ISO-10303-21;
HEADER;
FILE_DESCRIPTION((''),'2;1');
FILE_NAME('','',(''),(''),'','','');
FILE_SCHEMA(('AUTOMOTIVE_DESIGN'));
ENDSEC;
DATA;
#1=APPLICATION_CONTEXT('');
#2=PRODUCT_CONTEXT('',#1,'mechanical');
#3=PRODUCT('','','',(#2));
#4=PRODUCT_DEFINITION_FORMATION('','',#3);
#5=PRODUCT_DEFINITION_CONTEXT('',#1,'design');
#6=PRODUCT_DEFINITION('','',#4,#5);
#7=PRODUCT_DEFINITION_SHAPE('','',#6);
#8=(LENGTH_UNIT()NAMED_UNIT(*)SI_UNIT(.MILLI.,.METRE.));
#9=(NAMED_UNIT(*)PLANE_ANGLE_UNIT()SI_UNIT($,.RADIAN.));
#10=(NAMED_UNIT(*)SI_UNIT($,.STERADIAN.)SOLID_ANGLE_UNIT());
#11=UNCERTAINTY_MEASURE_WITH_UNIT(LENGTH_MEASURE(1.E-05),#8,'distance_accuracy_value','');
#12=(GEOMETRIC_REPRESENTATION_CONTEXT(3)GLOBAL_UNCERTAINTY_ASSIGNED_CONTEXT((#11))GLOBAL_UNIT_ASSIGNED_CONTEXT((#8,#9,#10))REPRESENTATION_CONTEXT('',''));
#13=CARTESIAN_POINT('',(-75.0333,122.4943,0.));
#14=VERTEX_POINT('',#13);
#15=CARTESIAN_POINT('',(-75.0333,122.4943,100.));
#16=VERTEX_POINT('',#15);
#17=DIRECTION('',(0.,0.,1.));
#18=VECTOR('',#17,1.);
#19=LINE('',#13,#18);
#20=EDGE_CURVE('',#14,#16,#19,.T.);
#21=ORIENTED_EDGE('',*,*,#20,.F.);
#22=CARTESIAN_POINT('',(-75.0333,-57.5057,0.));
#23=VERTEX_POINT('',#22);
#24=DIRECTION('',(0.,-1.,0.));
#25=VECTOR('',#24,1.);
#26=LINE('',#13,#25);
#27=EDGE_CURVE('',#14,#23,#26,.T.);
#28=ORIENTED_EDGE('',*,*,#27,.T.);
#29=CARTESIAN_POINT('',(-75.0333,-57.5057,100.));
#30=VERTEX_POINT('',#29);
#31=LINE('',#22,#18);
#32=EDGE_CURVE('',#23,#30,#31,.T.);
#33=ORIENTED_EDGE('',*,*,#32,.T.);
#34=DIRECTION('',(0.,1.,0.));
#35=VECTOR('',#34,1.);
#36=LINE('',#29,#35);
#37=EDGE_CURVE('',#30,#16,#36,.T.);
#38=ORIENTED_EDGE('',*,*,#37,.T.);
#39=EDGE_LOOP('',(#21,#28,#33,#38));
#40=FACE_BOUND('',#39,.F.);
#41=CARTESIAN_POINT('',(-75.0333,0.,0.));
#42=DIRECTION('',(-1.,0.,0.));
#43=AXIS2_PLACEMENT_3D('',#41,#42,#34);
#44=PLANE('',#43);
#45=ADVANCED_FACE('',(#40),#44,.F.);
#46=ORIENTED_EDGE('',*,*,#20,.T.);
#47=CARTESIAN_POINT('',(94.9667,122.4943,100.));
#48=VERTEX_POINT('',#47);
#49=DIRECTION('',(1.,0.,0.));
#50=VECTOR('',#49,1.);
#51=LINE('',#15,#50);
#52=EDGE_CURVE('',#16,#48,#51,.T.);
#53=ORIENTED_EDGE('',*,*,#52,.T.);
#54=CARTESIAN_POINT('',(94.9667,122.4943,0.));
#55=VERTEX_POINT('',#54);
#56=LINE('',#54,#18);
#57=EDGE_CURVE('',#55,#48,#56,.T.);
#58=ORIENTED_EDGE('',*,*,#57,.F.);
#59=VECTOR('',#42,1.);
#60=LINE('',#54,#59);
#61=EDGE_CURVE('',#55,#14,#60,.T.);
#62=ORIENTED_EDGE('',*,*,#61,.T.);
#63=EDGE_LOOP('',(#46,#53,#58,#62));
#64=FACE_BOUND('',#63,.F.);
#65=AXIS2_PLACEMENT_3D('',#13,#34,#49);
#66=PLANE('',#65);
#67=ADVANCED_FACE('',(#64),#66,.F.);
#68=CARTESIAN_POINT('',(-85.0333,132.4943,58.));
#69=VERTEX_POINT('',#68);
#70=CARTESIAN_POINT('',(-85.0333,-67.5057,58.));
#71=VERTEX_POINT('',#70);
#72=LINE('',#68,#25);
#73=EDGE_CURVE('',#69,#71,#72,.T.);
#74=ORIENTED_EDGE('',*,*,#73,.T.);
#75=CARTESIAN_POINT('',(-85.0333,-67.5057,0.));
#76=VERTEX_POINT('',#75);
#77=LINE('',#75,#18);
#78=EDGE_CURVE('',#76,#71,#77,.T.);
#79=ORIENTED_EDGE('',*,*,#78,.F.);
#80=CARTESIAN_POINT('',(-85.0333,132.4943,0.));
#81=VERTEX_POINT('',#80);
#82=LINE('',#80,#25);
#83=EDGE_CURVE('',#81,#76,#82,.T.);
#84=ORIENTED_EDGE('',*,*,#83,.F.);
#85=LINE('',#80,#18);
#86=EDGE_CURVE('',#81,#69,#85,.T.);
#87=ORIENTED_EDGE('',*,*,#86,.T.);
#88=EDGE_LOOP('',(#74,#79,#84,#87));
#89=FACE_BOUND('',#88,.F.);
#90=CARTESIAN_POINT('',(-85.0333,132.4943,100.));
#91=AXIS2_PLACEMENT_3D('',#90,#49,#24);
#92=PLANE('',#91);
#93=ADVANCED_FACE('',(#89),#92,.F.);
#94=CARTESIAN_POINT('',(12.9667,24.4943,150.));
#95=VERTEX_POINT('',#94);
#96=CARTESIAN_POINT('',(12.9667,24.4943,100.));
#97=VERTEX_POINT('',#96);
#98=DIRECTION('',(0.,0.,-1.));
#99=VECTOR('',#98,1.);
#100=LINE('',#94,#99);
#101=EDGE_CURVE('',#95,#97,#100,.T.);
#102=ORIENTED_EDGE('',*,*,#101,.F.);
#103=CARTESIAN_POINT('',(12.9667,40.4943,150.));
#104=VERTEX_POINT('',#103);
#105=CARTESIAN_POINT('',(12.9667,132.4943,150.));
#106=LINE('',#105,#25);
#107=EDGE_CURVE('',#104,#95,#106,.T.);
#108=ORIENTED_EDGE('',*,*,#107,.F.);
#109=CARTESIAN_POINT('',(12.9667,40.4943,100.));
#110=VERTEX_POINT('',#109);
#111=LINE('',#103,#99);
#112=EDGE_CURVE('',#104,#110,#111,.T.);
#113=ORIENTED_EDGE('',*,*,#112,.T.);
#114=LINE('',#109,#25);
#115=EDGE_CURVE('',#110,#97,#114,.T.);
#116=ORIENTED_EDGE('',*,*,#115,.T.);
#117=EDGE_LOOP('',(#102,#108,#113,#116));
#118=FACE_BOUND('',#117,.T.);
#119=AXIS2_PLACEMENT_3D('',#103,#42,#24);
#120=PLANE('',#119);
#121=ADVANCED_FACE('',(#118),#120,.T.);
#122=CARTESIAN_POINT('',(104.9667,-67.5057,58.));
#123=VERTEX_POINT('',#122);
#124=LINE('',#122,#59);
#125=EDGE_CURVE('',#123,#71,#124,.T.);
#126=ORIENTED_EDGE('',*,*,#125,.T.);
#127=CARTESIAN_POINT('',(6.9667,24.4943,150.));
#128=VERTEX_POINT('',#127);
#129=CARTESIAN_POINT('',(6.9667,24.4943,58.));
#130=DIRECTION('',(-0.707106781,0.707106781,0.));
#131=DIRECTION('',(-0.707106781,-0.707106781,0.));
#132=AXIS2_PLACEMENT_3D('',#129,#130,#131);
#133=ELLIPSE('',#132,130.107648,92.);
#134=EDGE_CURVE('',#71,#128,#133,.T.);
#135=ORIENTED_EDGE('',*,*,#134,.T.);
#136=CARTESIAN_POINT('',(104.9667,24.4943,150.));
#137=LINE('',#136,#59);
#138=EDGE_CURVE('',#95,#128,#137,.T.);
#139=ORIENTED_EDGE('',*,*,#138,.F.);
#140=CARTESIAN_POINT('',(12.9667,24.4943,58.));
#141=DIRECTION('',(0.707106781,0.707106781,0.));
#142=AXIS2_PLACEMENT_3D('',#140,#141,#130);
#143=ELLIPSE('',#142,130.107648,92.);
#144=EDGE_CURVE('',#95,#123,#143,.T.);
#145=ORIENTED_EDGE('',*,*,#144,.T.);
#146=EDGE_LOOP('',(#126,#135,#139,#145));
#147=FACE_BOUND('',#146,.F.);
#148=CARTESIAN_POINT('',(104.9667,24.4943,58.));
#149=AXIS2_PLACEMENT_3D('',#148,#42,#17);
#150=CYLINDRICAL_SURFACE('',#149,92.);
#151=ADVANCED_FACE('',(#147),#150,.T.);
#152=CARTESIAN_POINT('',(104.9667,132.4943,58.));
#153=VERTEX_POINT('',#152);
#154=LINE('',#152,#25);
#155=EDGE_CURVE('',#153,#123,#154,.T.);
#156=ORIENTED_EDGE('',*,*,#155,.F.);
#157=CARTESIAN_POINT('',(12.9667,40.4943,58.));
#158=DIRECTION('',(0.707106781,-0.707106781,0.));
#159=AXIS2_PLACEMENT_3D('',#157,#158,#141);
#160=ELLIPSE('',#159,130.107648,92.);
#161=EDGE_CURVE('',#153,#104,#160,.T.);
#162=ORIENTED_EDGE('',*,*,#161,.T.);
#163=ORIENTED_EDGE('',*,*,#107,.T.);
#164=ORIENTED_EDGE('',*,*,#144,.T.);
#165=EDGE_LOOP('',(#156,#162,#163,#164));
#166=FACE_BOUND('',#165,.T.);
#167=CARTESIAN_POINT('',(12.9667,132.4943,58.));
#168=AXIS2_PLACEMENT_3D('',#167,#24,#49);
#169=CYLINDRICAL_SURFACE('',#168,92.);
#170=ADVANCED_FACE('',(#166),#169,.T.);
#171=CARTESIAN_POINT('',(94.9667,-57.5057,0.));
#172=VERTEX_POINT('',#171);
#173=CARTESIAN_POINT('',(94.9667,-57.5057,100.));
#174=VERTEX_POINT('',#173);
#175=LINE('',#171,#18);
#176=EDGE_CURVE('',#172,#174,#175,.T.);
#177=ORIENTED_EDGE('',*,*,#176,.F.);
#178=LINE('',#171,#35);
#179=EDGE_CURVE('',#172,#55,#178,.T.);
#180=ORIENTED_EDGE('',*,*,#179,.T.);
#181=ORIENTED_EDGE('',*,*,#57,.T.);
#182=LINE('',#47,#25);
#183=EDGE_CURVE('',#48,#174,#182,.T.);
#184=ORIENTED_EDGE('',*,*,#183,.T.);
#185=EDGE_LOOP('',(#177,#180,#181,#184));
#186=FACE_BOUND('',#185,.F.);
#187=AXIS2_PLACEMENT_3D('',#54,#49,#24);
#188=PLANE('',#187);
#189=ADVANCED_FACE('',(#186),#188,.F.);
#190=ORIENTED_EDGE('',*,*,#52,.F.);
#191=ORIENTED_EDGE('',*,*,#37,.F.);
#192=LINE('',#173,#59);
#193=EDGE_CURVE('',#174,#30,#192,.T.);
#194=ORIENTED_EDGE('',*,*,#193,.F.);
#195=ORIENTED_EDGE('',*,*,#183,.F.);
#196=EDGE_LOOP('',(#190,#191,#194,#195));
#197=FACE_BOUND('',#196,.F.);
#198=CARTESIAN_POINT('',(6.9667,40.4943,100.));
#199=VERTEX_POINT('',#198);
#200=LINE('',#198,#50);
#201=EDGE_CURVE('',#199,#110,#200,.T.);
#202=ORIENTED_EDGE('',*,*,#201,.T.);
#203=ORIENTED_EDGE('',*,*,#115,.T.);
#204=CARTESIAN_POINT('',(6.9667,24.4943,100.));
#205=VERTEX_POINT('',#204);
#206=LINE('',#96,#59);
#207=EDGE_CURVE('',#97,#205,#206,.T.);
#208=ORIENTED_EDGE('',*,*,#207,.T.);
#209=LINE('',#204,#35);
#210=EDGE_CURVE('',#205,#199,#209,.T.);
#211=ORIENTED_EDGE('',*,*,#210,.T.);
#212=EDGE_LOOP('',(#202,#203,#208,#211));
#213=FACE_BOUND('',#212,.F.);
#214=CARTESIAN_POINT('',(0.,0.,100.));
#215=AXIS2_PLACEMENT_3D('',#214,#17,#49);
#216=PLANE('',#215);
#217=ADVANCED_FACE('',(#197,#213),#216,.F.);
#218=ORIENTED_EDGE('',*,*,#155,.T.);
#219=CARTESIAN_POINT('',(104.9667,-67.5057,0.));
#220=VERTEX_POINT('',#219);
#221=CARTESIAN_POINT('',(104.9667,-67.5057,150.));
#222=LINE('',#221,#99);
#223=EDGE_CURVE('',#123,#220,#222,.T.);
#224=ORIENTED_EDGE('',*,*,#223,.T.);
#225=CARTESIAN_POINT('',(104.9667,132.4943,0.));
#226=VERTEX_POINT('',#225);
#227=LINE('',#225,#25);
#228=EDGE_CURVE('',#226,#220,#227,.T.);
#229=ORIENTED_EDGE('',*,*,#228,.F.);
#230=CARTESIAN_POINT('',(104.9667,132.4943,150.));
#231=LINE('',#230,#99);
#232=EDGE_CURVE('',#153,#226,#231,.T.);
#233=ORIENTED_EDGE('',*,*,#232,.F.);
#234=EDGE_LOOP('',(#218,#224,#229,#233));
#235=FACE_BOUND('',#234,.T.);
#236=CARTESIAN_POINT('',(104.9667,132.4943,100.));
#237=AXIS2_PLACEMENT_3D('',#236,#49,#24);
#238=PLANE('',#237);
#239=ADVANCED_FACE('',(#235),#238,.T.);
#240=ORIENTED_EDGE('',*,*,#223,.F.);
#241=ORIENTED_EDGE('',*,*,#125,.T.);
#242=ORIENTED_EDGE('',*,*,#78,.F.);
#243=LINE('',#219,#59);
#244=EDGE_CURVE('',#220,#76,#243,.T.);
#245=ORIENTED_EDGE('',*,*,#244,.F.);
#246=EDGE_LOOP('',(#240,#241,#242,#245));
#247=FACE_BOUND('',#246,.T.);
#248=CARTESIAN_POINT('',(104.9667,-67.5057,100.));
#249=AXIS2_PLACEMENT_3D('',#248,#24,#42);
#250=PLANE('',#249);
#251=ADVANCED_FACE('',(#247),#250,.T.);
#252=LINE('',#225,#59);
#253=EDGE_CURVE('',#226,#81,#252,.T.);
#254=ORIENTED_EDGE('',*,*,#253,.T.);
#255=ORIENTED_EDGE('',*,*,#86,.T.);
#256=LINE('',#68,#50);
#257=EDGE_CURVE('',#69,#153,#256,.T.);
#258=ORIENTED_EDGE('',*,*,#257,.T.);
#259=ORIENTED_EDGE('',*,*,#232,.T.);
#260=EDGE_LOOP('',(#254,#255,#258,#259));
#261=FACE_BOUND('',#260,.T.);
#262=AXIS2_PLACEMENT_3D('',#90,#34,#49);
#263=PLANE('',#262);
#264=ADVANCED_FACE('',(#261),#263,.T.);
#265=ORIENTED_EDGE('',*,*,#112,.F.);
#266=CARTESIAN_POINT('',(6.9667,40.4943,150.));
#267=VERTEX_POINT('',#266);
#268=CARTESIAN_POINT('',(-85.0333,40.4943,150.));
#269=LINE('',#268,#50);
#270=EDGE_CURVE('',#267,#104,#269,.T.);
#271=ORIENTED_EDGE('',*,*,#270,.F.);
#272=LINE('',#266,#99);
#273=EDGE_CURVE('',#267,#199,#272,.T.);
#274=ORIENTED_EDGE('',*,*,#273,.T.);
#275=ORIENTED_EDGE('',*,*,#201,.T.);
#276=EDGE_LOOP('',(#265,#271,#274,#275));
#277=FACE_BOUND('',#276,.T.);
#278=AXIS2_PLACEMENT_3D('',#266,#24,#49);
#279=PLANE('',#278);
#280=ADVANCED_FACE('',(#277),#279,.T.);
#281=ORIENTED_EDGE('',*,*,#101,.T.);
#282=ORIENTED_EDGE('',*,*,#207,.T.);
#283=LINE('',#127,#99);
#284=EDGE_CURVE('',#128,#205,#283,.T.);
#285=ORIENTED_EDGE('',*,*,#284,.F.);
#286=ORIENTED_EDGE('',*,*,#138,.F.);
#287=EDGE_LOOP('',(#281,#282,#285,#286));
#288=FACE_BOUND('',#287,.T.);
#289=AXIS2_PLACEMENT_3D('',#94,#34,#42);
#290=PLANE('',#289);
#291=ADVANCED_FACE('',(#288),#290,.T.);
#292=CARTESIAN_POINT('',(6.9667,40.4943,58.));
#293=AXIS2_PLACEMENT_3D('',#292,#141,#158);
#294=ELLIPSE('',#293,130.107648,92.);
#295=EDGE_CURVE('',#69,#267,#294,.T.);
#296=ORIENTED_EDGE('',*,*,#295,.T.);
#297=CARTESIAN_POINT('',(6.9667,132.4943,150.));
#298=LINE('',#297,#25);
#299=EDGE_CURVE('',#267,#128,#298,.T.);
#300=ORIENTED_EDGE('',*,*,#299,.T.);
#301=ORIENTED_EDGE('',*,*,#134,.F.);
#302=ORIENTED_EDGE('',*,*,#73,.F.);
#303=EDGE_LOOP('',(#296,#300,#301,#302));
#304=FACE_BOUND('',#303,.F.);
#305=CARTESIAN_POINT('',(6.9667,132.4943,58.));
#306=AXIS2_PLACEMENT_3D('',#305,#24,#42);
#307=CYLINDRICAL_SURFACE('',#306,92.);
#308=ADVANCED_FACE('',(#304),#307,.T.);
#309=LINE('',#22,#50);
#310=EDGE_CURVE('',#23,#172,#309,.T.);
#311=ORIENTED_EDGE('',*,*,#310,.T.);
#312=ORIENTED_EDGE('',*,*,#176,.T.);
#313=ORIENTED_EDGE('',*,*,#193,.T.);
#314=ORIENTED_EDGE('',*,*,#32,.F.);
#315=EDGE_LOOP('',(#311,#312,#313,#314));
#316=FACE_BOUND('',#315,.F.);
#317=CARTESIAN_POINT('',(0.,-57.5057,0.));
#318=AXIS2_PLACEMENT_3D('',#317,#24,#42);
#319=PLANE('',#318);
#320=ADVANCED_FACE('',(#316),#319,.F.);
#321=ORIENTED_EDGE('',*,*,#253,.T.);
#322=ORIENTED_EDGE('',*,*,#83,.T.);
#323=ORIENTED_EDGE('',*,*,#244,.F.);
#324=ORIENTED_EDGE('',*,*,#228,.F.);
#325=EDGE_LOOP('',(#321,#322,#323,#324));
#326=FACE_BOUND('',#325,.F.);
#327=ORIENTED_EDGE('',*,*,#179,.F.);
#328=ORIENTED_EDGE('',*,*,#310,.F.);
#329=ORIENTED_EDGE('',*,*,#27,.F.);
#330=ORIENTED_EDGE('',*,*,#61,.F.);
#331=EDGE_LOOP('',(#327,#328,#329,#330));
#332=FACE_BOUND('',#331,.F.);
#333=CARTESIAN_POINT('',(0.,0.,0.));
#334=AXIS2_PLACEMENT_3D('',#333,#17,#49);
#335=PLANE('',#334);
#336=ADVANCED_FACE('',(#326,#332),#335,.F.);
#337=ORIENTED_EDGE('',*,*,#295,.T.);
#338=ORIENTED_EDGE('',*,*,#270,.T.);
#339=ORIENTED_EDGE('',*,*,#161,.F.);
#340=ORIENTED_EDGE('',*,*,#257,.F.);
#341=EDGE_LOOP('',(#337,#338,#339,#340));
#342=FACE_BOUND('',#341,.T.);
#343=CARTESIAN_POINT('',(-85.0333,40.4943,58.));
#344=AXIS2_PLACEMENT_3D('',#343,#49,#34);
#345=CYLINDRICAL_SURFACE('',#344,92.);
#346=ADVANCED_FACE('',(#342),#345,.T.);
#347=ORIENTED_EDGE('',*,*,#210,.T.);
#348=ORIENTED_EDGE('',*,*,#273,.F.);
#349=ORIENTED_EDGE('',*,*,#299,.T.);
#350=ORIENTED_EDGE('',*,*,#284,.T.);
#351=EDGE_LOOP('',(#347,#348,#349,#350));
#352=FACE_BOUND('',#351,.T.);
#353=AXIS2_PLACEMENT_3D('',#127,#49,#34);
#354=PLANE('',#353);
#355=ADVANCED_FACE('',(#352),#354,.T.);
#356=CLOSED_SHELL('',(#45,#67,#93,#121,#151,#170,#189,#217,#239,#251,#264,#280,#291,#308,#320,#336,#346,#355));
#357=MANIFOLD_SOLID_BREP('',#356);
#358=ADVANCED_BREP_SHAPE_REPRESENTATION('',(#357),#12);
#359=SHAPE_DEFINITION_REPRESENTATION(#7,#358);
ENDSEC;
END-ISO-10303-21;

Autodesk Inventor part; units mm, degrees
ref_plane "YZ Plane" through (0, 0, 0) normal (1, 0, 0) x (0, 1, 0)
ref_plane "XZ Plane" through (0, 0, 0) normal (0, 1, 0) x (-1, 0, 0)
ref_plane "XY Plane" through (0, 0, 0) normal (0, 0, 1) x (1, 0, 0)
sketch "Skizze1" plane through (0, 0, 0) normal (0, 0, 1) x (1, 0, 0)
  line L0 (-123.0333, 0) -> (142.9667, 0) projected
  line L1 (0, -107.5057) -> (0, 172.4943) projected
  line L2 (-75.0333, 122.4943) -> (94.9667, 122.4943)
  line L3 (94.9667, 122.4943) -> (94.9667, -57.5057)
  line L4 (94.9667, -57.5057) -> (-75.0333, -57.5057)
  line L5 (-75.0333, -57.5057) -> (-75.0333, 122.4943)
  line L6 (-85.0333, 132.4943) -> (104.9667, 132.4943)
  line L7 (104.9667, 132.4943) -> (104.9667, -67.5057)
  line L8 (104.9667, -67.5057) -> (-85.0333, -67.5057)
  line L9 (-85.0333, -67.5057) -> (-85.0333, 132.4943)
  point P0 (0, 0)
  dimension "d0" = 170
  dimension "d1" = 180
  dimension "d2" = 10
  dimension "d3" = 10
  dimension "d4" = 10
  dimension "d5" = 10
extrude "Extrusion1" add sketch "Skizze1" along normal blind 100 contours L9 L6 L1 L2 L5 L0 | L0 L5 L4 L1 L8 L9 | L1 L4 L3 L0 L7 L8 | L6 L7 L0 L3 L2 L1
sketch "Skizze2" plane through (0, 0, 100) normal (0, 0, 1) x (1, 0, 0)
  point P0 (0, 0)
sketch "Skizze3" plane through (0, 0, 100) normal (0, 0, 1) x (1, 0, 0)
  line L0 (-85.0333, 132.4943) -> (-85.0333, -67.5057) projected
  line L1 (-85.0333, 132.4943) -> (104.9667, 132.4943)
  line L2 (104.9667, 132.4943) -> (104.9667, -67.5057)
  line L3 (104.9667, -67.5057) -> (-85.0333, -67.5057)
  line L4 (-85.0333, -67.5057) -> (-85.0333, 132.4943)
  point P0 (0, 0)
extrude "Extrusion2" add sketch "Skizze3" along normal blind 50
fillet "Rundung1" radius 92 4 edges at (-85.0333, 32.4943, 150) (9.9667, 132.4943, 150) (9.9667, -67.5057, 150) (104.9667, 32.4943, 150)
sketch "Skizze4" plane through (0, 0, 150) normal (0, 0, 1) x (1, 0, 0)
  point P0 (0, 0)
sketch "Skizze5" plane through (0, 0, 150) normal (0, 0, 1) x (1, 0, 0)
  line L0 (6.9667, 24.4943) -> (6.9667, 40.4943) projected
  line L1 (94.8203, -57.3593) -> (12.9667, 24.4943) projected
  line L2 (6.9667, 40.4943) -> (12.9667, 40.4943)
  line L3 (12.9667, 40.4943) -> (12.9667, 24.4943)
  line L4 (12.9667, 24.4943) -> (6.9667, 24.4943)
  line L5 (6.9667, 24.4943) -> (6.9667, 40.4943)
  point P0 (0, 0)
extrude "Extrusion3" cut sketch "Skizze5" against normal blind 50
properties part number "Deckel" material "PMMA-Kunststoff"
